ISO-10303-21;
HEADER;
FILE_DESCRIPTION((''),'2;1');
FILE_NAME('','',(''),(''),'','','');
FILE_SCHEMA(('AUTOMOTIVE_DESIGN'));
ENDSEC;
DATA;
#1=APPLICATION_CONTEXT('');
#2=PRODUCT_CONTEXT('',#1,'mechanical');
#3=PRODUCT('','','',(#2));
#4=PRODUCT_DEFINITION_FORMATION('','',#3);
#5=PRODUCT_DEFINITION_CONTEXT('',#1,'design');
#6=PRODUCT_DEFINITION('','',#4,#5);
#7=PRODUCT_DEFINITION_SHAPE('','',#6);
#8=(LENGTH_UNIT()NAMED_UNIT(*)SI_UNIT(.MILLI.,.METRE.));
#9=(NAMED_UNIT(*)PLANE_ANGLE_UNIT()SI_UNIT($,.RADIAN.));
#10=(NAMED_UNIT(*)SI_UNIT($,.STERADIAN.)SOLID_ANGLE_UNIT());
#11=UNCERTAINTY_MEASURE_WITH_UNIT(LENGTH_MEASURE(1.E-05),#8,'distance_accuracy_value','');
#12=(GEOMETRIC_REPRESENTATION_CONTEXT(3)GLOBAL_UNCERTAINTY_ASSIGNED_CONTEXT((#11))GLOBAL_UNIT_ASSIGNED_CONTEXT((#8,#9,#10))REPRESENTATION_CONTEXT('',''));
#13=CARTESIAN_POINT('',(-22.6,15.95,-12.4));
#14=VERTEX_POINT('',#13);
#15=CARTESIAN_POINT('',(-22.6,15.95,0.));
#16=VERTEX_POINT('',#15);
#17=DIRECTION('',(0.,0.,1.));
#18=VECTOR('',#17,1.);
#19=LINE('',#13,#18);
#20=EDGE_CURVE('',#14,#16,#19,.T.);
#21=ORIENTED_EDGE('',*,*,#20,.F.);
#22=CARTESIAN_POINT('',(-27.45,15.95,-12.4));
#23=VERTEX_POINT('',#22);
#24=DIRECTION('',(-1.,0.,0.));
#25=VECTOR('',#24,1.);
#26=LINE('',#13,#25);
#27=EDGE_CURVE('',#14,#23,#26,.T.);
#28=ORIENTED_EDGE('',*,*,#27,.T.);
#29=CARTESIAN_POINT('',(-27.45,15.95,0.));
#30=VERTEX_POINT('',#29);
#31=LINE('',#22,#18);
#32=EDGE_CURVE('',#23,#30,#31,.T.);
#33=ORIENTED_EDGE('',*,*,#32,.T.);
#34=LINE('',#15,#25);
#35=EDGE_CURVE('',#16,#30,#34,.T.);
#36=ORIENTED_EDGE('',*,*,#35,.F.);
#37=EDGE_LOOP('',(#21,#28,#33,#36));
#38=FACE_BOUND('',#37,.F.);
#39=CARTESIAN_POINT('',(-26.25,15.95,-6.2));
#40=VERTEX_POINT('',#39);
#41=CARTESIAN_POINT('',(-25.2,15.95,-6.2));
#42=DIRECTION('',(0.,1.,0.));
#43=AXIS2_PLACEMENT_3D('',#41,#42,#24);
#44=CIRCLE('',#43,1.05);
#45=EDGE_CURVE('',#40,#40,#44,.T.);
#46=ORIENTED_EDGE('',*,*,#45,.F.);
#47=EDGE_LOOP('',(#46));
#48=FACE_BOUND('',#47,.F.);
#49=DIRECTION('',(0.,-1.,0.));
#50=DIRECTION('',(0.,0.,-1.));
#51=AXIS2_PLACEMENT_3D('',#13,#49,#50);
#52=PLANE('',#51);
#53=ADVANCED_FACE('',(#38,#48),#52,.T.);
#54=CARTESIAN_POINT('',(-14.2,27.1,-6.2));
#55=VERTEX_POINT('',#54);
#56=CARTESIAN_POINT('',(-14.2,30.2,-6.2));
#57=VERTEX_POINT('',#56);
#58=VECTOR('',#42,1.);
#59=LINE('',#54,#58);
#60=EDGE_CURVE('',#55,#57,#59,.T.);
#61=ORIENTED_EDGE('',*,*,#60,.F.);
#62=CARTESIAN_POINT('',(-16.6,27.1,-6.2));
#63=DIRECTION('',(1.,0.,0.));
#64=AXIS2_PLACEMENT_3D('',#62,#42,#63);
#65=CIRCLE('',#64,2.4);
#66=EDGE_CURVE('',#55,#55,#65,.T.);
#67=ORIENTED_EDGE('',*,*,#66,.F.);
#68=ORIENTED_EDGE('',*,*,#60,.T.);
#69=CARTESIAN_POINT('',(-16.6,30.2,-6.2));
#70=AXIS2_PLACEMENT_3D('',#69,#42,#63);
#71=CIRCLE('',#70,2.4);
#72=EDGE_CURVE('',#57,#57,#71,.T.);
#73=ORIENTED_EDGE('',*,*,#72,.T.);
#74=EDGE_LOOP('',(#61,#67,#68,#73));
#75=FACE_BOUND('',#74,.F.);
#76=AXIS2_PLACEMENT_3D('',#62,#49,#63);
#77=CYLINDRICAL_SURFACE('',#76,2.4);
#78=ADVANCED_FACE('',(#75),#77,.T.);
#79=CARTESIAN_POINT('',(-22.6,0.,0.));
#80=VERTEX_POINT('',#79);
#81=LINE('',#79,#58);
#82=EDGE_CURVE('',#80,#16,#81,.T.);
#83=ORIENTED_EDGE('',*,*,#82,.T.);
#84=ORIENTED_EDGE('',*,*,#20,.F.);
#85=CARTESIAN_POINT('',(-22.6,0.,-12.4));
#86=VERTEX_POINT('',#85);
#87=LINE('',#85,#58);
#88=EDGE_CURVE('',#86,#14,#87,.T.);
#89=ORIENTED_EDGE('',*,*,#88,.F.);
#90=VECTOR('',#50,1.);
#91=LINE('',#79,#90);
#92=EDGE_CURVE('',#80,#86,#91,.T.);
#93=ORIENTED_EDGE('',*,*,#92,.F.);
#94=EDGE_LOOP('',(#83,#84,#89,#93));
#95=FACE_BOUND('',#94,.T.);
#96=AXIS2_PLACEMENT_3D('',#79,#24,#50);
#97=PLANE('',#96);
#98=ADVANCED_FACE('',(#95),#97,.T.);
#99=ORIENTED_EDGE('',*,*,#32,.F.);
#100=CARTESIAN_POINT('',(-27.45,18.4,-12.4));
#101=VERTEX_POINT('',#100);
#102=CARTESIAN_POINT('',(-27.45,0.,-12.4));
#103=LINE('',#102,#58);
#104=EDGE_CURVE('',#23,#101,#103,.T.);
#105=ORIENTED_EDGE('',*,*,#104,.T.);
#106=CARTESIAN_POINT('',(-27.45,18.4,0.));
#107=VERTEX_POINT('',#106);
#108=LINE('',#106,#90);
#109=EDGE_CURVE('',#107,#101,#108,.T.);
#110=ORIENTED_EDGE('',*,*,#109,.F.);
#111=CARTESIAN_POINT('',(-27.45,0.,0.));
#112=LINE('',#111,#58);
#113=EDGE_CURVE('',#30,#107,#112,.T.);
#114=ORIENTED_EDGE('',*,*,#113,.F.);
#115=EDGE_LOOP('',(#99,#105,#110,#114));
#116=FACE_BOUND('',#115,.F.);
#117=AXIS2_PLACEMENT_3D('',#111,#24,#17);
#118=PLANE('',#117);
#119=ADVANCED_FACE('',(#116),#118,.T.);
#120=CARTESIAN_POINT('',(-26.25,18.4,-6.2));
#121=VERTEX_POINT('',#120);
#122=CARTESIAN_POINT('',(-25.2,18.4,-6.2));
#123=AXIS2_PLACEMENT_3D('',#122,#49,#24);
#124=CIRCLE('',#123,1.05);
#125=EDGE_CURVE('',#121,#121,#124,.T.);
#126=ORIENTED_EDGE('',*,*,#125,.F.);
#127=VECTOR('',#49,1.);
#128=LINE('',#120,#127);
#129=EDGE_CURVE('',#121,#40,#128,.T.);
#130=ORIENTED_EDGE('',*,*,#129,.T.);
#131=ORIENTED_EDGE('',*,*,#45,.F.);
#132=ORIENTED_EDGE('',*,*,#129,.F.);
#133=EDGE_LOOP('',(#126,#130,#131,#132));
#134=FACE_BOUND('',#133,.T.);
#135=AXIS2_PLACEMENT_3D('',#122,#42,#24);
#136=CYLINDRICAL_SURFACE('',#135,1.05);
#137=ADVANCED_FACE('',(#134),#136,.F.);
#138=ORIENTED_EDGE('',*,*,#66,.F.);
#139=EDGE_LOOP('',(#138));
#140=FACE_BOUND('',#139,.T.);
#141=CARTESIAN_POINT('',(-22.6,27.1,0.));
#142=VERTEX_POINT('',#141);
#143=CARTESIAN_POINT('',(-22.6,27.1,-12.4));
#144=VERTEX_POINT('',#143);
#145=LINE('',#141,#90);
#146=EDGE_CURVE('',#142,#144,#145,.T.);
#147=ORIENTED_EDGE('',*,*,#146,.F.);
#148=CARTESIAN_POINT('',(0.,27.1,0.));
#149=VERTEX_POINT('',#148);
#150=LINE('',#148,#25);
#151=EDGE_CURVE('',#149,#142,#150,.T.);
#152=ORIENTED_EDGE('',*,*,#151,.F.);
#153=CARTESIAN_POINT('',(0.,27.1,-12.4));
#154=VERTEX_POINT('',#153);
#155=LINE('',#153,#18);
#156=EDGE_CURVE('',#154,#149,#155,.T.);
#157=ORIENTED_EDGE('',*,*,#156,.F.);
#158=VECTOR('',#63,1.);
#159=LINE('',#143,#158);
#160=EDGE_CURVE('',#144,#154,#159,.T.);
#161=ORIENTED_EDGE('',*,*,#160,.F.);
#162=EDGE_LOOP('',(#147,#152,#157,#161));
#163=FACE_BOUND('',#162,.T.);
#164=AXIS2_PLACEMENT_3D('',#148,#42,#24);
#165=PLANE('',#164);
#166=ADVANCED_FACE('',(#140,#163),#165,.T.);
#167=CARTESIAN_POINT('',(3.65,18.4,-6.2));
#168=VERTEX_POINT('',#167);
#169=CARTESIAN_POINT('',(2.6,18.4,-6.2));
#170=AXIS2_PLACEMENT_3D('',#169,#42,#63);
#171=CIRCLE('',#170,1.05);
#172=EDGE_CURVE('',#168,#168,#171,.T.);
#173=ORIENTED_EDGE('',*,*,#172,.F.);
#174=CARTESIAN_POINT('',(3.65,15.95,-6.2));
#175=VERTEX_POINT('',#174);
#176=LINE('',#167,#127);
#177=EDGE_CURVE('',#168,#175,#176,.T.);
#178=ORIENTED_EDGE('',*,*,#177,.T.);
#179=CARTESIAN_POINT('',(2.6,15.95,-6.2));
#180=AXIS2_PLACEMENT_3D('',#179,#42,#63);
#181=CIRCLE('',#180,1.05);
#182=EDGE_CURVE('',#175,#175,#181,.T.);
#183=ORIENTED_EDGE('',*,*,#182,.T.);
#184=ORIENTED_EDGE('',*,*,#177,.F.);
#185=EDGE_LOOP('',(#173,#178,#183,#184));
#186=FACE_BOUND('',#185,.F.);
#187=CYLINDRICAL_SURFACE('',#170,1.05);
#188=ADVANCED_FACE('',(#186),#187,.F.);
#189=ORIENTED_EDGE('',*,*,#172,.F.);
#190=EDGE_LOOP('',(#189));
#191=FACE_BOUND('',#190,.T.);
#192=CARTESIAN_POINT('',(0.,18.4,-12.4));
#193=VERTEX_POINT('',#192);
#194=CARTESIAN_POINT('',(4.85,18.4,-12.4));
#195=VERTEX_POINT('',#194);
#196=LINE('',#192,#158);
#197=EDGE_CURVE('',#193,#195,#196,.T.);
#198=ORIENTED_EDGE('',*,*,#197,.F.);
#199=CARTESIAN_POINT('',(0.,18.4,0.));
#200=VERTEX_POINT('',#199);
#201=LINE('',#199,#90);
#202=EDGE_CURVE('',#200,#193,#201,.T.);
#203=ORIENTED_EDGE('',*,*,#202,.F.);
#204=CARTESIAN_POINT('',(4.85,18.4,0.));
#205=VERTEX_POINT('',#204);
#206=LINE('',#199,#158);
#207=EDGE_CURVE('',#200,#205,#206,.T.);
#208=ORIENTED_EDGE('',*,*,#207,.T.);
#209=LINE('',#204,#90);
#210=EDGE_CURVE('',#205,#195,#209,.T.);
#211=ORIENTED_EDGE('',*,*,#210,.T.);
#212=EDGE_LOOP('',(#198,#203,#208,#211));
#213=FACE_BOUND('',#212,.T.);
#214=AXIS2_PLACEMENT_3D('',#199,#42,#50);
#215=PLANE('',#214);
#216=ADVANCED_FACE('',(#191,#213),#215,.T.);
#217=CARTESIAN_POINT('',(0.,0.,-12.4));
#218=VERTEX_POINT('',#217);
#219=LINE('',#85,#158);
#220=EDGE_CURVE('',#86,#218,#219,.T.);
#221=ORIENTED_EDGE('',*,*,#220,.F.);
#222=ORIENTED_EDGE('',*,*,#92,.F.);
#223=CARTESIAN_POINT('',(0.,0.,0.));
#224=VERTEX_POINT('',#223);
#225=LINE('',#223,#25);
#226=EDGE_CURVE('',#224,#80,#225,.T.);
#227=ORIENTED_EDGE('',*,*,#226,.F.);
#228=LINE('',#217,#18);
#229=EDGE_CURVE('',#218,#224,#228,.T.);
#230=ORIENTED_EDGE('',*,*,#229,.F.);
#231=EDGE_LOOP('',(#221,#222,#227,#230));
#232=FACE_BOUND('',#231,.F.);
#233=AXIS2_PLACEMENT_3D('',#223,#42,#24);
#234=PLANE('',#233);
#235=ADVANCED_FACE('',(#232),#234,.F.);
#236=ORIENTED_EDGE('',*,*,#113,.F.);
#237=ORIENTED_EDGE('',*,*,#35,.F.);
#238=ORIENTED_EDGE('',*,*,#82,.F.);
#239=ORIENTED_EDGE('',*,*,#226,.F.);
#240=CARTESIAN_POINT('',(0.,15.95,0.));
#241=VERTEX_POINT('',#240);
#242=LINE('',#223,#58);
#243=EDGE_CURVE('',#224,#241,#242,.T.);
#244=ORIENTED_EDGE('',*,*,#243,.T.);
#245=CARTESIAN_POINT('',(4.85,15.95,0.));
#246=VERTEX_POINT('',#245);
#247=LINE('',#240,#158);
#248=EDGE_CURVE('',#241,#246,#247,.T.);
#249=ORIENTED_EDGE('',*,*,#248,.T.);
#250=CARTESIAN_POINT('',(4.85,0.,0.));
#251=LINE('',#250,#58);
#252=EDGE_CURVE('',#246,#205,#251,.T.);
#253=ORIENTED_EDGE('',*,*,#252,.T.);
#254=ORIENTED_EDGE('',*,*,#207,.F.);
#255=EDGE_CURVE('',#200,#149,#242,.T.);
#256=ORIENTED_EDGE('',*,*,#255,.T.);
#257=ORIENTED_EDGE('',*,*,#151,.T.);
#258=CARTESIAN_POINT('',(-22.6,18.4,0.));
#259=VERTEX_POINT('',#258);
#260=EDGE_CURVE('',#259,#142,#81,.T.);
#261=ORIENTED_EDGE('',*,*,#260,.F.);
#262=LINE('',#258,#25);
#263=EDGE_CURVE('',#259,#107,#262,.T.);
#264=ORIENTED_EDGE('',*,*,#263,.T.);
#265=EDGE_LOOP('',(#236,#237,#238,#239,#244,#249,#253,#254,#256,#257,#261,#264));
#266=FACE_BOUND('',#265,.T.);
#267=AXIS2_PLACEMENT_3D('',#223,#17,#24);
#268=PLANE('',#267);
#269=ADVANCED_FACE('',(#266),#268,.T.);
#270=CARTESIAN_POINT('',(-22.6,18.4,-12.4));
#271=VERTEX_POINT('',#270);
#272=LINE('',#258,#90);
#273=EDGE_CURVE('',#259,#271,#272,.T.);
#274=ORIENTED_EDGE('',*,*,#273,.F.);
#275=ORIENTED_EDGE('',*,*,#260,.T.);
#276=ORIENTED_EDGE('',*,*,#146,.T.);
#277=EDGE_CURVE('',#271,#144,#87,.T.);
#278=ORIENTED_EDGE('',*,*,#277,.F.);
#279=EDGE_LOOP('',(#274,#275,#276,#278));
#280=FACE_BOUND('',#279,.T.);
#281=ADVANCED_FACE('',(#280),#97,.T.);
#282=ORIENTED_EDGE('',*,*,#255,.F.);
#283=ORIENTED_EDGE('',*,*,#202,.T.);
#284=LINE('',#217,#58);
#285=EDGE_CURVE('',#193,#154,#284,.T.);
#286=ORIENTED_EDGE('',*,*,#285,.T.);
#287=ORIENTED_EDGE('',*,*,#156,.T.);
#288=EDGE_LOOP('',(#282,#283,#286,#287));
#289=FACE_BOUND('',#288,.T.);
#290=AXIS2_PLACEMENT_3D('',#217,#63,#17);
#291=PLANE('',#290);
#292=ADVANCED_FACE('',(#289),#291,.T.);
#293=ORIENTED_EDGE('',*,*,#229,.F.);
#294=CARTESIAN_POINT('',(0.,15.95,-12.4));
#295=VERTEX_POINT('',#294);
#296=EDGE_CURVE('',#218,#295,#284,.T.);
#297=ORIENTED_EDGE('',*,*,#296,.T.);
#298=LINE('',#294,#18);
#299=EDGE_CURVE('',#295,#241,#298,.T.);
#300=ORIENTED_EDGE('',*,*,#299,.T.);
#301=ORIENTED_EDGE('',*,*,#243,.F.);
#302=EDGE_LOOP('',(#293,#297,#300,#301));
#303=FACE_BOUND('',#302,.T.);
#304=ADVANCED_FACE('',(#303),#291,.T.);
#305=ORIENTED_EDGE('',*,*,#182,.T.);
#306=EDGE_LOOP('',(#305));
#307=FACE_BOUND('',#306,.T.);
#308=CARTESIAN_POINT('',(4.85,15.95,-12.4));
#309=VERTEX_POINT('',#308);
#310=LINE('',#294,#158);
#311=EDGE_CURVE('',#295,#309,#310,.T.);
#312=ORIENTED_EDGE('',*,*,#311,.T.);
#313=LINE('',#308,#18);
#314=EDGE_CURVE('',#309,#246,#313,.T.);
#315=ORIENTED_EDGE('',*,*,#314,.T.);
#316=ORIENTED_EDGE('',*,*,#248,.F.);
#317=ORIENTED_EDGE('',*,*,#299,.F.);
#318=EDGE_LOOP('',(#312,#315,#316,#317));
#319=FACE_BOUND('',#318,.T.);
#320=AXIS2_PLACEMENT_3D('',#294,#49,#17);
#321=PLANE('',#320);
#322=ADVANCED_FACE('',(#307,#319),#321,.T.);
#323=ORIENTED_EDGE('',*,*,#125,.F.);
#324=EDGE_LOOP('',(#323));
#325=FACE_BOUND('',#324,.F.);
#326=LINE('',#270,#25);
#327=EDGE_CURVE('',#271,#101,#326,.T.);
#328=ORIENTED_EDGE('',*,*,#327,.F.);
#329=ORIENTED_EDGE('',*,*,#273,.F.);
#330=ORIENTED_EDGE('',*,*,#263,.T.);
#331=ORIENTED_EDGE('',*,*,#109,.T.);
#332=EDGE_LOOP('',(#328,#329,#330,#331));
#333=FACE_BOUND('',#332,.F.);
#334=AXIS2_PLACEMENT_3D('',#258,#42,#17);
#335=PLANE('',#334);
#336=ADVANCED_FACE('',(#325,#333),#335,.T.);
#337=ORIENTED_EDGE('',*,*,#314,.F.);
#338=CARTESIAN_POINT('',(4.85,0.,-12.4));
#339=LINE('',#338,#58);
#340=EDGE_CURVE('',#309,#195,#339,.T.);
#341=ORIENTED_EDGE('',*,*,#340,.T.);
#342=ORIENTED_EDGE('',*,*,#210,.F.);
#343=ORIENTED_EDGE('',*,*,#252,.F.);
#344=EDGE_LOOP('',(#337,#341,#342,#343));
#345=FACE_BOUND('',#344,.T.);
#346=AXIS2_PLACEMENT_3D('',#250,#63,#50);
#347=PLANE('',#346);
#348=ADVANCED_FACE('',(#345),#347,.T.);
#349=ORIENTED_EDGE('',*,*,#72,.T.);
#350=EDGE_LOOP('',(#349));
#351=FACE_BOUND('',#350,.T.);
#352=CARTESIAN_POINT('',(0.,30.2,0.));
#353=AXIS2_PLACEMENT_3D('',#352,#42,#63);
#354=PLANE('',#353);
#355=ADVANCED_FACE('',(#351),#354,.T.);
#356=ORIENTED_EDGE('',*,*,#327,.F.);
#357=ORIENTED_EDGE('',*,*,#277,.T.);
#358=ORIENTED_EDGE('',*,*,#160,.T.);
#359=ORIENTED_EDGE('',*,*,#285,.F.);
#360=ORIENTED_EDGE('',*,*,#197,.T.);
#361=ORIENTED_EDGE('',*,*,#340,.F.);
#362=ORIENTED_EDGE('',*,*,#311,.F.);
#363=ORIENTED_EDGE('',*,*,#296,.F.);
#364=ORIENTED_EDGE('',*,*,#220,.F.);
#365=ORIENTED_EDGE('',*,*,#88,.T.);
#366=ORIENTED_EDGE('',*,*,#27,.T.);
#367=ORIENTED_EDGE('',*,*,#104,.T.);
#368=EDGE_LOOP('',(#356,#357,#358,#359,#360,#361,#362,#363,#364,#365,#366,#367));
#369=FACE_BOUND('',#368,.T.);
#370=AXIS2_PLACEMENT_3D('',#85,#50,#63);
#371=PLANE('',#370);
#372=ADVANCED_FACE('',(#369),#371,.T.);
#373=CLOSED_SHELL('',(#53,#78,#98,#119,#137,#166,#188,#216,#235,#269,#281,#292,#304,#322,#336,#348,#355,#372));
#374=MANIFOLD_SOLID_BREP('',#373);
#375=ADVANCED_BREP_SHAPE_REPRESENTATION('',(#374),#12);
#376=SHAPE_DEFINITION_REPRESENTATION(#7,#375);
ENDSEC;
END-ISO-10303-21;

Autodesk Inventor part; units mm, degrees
ref_plane "YZ Plane" through (0, 0, 0) normal (1, 0, 0) x (0, 1, 0)
sketch "Sketch1" plane through (0, 0, 0) normal (0, 1, 0) x (-1, 0, 0)
  line L0 (0, 0) -> (22.6, 0)
  line L1 (22.6, 0) -> (22.6, -12.4)
  line L2 (22.6, -12.4) -> (0, -12.4)
  line L3 (0, -12.4) -> (0, 0)
  dimension "d0" = 22.6
  dimension "d1" = 12.4
extrude "Extrusion1" add sketch "Sketch1" along normal blind 27.1
sketch "Sketch2" plane through (0, 27.1, 0) normal (0, 1, 0) x (1, 0, 0)
  circle A0 centre (-16.6, 6.2) radius 2.4
  line L0 (-22.6, 12.4) -> (-22.6, 0) projected
  line L1 (-22.6, 0) -> (0, 0) projected
  line L2 (0, 12.4) -> (-22.6, 12.4) projected
  dimension "d4" = 4.8
  dimension "d5" = 6
  dimension "d6" = 6.2
  dimension "d7" = 6.2
extrude "Extrusion2" add sketch "Sketch2" along normal blind 3.1
sketch "Sketch3" plane through (0, 0, 0) normal (1, 0, 0) x (0, 0, -1)
  line L0 (0, 0) -> (0, 27.1) projected
  line L1 (12.4, 0) -> (12.4, 27.1) projected
  line L2 (0, 18.4) -> (12.4, 18.4)
  line L3 (12.4, 18.4) -> (12.4, 15.95)
  line L4 (12.4, 15.95) -> (0, 15.95)
  line L5 (0, 15.95) -> (0, 18.4)
  line L6 (0, 27.1) -> (12.4, 27.1) projected
  dimension "d10" = 2.45
  dimension "d11" = 8.7
extrude "Extrusion3" add sketch "Sketch3" along normal blind 4.85 contours L0 L2 L1 L4
ref_plane "Work Plane1" through (-11.3, 27.1, 0) normal (1, 0, 0) x (0, 0, -1)
mirror "Mirror1" about plane through (-11.3, 27.1, 0) normal (1, 0, 0) of "Extrusion3"
sketch "Sketch4" plane through (0, 18.4, 0) normal (0, 1, 0) x (1, 0, 0)
  circle A0 centre (2.6, 6.2) radius 1.05
  line L0 (-11.3, 14.88) -> (-11.3, -2.48) projected
  line L1 (0, 12.4) -> (4.85, 12.4) projected
  line L2 (0, 0) -> (4.85, 0) projected
  dimension "d14" = 2.1
  dimension "d15" = 13.9
  dimension "d16" = 6.2
  dimension "d17" = 6.2
extrude "Extrusion4" cut sketch "Sketch4" against normal through all
mirror "Mirror2" about plane through (-11.3, 27.1, 0) normal (1, 0, 0) of "Extrusion4"
ref_plane "Work Plane3" through (-16.6, 27.1, -6.2) normal (-1, 0, 0) x (0, 0, 1)
ref_plane "Work Plane2" through (-11.3, 27.1, 0) normal (1, 0, 0) x (0, 0, -1)
equation "\"d7\" = d6"
equation "\"d17\" = d16"
properties part number "servo"
